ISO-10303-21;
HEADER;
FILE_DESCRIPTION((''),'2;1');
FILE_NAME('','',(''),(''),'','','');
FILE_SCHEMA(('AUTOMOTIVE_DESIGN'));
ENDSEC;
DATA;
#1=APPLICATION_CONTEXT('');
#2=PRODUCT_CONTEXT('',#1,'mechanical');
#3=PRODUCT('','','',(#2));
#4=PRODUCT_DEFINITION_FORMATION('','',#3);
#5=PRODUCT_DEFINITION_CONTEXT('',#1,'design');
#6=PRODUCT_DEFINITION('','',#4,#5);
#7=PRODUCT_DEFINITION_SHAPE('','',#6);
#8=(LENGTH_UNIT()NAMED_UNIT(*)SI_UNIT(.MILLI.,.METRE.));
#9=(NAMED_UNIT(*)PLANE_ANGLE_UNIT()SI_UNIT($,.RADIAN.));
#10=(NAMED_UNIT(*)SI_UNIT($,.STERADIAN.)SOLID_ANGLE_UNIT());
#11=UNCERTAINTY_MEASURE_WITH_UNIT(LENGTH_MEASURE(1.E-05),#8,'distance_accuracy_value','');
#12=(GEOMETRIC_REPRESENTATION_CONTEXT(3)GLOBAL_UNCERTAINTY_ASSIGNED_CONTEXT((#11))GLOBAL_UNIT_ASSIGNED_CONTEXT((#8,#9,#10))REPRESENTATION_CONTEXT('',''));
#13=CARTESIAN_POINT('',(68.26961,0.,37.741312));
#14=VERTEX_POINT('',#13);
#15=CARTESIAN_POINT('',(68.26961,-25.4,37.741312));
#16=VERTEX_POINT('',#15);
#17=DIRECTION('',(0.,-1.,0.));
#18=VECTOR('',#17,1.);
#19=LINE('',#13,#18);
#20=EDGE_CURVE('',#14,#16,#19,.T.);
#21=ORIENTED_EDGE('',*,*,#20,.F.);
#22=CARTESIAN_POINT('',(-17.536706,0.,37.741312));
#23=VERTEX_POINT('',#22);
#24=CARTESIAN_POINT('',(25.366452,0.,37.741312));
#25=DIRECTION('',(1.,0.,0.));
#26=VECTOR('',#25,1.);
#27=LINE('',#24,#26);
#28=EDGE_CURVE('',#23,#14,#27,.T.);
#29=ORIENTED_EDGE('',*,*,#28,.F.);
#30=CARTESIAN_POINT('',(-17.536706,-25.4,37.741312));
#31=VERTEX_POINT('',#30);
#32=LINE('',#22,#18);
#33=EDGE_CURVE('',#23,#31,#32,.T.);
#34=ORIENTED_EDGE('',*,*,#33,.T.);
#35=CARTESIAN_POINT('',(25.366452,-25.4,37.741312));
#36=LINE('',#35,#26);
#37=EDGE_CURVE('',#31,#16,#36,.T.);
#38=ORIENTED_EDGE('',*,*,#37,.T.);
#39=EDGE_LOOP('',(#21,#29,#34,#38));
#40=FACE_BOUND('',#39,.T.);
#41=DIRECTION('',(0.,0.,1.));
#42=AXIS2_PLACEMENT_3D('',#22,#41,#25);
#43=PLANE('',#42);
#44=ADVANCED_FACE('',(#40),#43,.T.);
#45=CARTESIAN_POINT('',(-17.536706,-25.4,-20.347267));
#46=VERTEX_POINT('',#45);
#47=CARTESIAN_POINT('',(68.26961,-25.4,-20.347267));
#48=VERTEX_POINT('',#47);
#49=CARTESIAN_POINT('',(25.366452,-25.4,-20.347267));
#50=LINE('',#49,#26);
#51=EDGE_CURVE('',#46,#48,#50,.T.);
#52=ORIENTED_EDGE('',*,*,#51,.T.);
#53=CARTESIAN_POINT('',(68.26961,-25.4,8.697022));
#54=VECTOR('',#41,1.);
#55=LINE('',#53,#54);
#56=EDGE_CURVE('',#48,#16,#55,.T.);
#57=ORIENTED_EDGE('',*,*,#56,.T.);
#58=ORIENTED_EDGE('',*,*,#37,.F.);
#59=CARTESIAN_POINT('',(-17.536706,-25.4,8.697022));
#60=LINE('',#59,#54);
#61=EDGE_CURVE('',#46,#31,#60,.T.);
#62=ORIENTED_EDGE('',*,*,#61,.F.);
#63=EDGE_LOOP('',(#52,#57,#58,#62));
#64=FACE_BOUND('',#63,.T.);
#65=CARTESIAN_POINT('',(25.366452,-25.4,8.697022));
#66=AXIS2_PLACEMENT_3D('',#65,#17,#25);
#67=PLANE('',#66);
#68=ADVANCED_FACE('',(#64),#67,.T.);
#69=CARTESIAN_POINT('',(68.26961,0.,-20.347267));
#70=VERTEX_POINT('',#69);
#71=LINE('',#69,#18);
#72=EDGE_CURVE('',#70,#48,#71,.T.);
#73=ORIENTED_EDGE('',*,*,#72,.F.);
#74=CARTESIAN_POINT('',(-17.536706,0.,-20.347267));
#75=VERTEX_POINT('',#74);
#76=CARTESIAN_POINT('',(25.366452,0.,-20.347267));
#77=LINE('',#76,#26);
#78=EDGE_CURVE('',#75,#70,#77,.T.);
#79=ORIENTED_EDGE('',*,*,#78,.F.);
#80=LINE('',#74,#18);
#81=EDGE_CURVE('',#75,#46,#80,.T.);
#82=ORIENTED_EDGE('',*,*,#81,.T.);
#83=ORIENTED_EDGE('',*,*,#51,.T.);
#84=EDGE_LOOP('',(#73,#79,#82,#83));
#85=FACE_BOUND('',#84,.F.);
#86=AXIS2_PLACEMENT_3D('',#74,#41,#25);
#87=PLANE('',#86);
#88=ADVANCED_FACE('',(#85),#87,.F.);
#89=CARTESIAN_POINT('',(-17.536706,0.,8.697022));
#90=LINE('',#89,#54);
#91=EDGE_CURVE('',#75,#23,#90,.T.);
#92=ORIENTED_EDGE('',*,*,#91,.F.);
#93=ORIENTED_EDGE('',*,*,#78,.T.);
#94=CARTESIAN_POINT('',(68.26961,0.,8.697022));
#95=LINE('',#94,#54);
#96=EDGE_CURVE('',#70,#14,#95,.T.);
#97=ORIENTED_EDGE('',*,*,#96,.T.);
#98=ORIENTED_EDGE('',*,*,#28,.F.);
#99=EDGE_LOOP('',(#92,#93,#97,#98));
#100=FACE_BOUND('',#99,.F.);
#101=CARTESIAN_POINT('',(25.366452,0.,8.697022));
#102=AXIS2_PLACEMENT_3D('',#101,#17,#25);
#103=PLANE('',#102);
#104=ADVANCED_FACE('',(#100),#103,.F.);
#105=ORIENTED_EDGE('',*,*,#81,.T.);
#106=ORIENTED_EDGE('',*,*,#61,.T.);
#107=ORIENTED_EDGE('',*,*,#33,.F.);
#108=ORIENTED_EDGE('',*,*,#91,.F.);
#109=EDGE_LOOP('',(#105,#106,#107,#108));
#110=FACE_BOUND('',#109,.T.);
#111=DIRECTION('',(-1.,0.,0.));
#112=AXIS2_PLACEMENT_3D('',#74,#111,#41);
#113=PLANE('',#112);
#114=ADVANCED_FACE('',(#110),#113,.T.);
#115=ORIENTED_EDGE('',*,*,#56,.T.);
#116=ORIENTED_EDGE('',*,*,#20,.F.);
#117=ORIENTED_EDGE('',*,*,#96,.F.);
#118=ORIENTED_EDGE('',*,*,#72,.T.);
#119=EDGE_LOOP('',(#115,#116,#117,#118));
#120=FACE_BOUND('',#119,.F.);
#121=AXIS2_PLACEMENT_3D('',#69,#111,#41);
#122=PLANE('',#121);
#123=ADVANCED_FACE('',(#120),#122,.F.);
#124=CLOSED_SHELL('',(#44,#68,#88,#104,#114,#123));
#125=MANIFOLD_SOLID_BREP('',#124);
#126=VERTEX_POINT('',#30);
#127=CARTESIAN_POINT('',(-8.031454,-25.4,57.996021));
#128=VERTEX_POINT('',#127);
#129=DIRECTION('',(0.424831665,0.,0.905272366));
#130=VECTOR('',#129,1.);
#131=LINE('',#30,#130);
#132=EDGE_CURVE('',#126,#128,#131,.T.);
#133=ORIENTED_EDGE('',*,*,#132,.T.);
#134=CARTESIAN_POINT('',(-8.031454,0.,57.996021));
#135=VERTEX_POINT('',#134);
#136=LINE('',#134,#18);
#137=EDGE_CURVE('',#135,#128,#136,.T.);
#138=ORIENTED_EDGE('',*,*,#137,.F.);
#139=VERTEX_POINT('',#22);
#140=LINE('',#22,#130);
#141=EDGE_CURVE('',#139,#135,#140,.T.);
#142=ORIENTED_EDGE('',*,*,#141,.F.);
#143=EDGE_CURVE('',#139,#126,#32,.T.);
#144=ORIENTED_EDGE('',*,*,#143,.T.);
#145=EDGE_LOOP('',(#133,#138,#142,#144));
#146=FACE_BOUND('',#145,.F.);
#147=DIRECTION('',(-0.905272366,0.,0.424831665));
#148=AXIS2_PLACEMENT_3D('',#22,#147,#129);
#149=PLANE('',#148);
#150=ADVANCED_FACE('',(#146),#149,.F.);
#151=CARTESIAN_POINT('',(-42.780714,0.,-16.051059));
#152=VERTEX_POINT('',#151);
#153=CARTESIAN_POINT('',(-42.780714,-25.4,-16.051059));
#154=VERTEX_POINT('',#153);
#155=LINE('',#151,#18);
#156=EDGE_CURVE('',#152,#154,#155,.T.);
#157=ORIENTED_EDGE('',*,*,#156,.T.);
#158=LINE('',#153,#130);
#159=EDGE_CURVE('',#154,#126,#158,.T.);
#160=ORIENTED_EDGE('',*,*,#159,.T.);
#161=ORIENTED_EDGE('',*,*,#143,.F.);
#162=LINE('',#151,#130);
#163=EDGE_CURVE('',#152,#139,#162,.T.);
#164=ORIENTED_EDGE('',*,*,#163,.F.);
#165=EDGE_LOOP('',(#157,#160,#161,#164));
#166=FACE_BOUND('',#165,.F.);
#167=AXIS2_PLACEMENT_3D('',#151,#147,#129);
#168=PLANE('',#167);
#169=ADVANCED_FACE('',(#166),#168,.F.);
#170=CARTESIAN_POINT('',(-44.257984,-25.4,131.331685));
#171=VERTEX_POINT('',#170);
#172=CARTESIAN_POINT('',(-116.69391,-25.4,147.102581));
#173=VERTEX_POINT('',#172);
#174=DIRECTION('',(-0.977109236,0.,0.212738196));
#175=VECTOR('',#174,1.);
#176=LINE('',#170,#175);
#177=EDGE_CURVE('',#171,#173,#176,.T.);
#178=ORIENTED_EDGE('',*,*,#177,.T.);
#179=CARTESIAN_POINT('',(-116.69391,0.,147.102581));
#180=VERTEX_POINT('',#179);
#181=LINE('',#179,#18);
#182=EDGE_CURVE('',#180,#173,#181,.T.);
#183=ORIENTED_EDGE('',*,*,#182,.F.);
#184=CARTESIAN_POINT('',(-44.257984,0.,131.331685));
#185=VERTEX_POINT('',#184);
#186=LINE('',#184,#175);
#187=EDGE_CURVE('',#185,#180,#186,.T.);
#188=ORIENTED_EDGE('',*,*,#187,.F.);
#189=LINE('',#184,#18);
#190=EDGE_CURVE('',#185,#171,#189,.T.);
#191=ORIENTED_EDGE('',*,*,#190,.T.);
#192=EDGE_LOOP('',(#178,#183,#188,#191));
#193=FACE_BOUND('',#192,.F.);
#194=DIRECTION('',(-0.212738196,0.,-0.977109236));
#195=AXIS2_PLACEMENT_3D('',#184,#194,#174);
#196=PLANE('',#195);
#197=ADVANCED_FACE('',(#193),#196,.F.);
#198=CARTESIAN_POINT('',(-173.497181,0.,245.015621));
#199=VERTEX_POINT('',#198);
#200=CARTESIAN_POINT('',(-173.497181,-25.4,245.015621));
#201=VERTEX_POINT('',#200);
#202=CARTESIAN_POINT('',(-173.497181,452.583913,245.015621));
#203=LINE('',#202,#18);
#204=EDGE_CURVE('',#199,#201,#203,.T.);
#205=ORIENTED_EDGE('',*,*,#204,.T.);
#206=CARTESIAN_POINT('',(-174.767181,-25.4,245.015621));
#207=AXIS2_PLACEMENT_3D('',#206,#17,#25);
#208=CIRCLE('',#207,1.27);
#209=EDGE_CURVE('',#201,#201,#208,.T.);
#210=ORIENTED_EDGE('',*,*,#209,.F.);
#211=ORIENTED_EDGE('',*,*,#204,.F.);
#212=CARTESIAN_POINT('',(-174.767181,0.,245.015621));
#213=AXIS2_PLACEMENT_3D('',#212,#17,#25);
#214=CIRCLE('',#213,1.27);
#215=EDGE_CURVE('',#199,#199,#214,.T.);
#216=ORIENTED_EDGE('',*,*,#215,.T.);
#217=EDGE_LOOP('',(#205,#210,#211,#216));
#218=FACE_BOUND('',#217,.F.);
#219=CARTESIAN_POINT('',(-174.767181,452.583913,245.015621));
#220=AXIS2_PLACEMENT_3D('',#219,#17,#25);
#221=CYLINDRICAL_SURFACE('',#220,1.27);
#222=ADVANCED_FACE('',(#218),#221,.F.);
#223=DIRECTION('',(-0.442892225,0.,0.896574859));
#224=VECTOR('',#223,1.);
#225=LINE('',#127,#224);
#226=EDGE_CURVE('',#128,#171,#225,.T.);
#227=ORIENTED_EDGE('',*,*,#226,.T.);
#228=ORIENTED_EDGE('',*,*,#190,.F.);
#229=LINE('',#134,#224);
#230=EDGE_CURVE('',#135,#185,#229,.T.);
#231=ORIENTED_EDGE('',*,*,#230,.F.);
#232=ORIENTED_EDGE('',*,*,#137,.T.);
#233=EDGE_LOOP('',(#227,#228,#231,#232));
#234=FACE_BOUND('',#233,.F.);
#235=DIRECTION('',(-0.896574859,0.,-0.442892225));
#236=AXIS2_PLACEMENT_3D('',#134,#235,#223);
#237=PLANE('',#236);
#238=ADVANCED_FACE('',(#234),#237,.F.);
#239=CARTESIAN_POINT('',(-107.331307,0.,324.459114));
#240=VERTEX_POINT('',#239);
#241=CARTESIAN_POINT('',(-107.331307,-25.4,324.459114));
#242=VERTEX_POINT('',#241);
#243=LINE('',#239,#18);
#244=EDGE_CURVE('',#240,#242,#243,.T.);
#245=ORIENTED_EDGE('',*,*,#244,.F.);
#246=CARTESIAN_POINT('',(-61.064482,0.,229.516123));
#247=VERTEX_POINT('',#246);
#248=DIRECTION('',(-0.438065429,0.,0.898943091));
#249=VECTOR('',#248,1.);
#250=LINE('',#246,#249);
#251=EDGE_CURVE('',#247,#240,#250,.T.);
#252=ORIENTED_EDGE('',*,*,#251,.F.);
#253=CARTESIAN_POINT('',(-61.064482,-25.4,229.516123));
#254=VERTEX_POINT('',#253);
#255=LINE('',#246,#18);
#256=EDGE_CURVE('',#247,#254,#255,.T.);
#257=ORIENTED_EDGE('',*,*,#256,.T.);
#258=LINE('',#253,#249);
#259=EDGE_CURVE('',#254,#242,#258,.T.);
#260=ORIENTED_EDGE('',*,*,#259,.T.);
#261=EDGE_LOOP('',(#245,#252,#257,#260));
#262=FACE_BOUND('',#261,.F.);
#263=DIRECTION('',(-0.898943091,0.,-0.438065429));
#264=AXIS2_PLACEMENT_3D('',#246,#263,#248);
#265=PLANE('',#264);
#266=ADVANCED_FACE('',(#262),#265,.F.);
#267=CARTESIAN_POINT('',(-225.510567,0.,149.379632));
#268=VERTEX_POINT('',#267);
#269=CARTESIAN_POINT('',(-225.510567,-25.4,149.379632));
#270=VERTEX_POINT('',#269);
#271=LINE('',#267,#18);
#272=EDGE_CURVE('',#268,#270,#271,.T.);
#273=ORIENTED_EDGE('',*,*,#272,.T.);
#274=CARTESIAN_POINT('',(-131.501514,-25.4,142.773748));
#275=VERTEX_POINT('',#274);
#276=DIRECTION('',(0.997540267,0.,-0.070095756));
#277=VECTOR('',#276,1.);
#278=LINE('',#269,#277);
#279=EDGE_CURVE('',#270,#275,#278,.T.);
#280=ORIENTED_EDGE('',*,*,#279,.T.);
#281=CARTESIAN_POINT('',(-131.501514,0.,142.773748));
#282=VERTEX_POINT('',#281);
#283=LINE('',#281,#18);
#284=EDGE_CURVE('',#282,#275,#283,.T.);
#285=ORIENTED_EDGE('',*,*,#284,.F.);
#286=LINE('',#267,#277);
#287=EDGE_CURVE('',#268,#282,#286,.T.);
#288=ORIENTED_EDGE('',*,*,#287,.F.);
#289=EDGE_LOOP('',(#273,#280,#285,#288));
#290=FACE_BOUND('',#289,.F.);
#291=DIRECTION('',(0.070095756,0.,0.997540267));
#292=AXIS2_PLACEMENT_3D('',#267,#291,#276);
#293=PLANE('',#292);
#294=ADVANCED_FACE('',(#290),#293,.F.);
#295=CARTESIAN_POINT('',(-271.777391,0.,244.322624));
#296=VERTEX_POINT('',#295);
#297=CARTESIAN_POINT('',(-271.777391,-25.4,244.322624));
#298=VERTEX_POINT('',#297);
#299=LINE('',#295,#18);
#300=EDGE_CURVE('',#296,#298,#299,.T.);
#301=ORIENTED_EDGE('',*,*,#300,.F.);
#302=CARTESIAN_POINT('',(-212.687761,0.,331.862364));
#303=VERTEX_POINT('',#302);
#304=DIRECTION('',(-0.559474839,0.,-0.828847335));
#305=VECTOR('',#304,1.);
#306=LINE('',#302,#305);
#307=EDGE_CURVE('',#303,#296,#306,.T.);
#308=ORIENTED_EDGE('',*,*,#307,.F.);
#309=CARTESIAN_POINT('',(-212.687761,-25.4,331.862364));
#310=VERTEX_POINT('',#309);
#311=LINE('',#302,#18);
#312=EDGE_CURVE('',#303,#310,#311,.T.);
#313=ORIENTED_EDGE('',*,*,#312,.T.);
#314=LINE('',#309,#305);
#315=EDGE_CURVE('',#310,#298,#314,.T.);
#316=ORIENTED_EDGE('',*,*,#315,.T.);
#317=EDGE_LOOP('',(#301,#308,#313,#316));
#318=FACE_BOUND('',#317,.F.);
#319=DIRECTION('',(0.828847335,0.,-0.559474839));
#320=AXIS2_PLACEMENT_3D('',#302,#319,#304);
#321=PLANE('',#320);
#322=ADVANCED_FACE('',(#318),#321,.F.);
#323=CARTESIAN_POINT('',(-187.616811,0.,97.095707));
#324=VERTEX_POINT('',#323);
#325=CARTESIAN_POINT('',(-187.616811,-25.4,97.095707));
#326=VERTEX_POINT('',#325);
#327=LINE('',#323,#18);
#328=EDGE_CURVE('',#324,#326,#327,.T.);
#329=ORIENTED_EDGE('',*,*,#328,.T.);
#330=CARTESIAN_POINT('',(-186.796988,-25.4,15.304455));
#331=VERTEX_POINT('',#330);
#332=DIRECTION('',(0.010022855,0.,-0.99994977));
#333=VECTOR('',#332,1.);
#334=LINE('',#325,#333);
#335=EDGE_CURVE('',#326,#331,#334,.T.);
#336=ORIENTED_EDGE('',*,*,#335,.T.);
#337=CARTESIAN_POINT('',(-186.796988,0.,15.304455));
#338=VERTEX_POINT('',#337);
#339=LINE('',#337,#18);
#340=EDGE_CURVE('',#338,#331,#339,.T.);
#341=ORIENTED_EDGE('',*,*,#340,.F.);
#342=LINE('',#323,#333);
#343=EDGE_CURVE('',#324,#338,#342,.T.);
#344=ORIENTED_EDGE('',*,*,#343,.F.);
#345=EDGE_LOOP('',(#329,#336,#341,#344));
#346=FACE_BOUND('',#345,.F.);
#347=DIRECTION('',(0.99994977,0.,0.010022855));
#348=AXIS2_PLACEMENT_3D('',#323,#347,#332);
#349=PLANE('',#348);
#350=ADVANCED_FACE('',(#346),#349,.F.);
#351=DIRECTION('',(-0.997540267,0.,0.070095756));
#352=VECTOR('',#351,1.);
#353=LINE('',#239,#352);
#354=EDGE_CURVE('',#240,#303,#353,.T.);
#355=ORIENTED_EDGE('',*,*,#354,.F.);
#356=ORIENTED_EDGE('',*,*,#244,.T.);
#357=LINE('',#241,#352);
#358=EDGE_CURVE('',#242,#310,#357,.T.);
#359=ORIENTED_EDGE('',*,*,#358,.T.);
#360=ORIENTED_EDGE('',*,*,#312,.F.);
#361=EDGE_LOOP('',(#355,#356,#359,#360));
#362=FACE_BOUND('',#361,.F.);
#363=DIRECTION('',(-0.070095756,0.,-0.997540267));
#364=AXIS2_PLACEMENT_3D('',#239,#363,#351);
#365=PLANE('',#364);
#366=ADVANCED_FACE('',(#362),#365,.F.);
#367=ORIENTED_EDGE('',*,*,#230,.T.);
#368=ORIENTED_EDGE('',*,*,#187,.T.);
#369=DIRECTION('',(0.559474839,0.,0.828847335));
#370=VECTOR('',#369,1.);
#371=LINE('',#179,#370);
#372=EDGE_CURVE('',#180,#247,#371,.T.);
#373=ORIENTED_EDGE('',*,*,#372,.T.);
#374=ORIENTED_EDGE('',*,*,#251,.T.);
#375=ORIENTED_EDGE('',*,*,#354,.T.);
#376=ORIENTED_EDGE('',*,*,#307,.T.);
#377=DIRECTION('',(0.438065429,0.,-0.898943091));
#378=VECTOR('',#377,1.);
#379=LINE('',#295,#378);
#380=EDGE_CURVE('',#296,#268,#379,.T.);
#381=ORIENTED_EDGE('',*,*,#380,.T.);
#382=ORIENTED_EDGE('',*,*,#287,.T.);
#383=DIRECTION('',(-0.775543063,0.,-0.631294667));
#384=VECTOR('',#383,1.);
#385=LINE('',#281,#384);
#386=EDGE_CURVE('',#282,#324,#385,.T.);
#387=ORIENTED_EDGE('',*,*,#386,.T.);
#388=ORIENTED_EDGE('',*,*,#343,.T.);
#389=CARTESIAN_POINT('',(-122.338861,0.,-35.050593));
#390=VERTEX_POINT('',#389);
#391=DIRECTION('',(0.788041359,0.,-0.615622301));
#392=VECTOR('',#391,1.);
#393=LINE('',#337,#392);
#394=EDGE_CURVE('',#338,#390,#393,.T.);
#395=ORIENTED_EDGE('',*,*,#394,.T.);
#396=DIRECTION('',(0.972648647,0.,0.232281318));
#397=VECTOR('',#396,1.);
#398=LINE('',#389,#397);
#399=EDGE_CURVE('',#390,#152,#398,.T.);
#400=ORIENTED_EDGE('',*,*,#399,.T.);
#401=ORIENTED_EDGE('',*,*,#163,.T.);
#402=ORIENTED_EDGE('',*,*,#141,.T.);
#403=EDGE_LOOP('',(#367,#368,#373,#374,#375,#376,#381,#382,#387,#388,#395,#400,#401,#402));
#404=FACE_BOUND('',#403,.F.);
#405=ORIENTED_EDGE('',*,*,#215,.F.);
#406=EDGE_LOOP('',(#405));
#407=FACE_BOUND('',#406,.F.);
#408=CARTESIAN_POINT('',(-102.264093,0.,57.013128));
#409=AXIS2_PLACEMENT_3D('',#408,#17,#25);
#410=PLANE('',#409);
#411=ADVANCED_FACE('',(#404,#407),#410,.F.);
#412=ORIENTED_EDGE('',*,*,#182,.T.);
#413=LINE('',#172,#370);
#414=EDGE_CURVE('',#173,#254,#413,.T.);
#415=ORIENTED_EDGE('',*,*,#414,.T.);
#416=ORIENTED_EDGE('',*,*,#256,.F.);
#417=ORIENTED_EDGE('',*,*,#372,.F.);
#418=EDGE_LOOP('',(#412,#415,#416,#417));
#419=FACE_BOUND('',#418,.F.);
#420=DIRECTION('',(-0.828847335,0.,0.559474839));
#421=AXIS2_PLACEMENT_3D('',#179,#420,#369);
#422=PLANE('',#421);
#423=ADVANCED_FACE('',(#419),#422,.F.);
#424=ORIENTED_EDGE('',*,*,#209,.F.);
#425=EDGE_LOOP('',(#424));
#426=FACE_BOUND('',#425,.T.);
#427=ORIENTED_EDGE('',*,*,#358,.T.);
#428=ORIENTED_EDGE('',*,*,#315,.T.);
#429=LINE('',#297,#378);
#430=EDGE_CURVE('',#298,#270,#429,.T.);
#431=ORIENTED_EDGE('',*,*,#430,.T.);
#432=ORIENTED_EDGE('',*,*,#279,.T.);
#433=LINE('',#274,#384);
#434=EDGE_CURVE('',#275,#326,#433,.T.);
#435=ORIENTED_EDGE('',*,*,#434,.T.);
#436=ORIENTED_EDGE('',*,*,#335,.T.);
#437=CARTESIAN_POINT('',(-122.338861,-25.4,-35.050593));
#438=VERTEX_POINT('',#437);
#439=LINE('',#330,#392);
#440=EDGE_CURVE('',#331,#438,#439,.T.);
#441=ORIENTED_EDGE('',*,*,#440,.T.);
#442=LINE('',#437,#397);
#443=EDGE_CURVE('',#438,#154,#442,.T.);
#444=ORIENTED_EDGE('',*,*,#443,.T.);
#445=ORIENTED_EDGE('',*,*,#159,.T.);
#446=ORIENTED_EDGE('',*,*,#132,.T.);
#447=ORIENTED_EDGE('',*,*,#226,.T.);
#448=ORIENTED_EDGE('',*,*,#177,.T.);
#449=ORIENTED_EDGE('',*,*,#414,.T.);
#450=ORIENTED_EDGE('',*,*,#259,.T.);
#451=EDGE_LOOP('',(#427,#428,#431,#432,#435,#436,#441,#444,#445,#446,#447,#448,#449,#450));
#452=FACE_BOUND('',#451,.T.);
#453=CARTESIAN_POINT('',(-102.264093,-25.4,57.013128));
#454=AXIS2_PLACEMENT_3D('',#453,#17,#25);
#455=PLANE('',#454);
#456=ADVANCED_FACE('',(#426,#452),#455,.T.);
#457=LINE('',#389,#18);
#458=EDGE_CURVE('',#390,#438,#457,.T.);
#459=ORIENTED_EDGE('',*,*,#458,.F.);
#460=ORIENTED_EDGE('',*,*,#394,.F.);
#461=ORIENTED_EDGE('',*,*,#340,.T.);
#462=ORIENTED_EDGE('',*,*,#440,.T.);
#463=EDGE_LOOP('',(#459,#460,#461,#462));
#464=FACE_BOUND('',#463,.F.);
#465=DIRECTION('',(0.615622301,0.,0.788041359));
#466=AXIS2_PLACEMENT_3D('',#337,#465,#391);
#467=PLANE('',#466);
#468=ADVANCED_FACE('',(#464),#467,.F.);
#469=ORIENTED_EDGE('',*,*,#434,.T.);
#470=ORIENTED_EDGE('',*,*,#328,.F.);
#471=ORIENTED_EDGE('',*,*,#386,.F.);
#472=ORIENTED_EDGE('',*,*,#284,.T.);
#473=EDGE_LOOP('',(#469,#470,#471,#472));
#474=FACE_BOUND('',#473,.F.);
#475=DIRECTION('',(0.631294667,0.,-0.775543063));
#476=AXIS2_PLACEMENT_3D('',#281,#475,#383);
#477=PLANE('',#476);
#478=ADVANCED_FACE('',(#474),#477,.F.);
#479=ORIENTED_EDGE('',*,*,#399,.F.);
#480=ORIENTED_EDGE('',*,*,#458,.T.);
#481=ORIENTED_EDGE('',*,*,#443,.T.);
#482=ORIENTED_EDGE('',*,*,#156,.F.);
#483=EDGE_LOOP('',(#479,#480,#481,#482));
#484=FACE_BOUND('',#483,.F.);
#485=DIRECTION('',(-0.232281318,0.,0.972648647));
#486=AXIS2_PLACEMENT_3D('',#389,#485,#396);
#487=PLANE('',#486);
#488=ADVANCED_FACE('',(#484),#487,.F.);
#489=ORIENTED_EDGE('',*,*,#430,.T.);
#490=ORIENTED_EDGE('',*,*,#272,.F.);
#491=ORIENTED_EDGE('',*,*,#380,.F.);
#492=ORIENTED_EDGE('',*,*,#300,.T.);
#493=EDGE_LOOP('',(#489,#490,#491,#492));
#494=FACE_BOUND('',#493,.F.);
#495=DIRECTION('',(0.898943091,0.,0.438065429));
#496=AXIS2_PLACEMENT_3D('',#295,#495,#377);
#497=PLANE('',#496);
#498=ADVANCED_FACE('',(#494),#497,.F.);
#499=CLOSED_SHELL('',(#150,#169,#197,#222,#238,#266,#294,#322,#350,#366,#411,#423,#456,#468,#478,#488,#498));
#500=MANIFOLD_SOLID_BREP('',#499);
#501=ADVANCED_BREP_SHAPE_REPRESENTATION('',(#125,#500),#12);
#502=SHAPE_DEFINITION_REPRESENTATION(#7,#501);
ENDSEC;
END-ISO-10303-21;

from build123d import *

# Parameters (mm, degrees)
F0_W     = 85.8063161263
F0_H     = 58.0885795211
F1_DEPTH = 25.4
F3_D     = 2.54


with BuildPart() as f1:
    # F0 (on Front) → F1 (new body)
    with BuildSketch(Plane.XZ):
        with Locations((25.3664523418, 8.6970223713)):
            Rectangle(F0_W, F0_H)
    extrude(amount=F1_DEPTH)


with BuildPart() as f1b:
    # F0 (on Front) → F1, piece 2 (new body)
    with BuildSketch(Plane.XZ):
        Polygon((-131.5015144818, 142.773748151), (-187.6168112916, 97.095707431), (-186.7969882742, 15.3044549322), (-122.3388607894, -35.050593437), (-42.7807135395, -16.0510591987), (-17.5367057214, 37.7413121318), (-8.0314540941, 57.9960208457), (-44.2579835713, 131.3316851377), (-116.6939098888, 147.1025812771), (-120.1541121892, 141.9763821052), align=None)
        Polygon((-225.5105666501, 149.3796324108), (-131.5015144818, 142.773748151), (-124.1809863883, 148.7326826904), (-116.6939098888, 147.1025812771), (-61.0644821235, 229.5161229683), (-107.3313065188, 324.4591141369), (-212.6877609798, 331.8623644425), (-271.7773910454, 244.3226235794), align=None)
        Polygon((-124.1809863883, 148.7326826904), (-131.5015144818, 142.773748151), (-120.1541121892, 141.9763821052), (-116.6939098888, 147.1025812771), align=None)
    extrude(amount=F1_DEPTH)

    # F3 (through all)
    with Locations(Plane(origin=(0, 0, 0), x_dir=(-1, 0, 0), z_dir=(0, 1, 0))):
        with Locations((174.7671812773, 245.0156211853)):
            Hole(F3_D / 2)


solid = Compound([f1.part, f1b.part])
